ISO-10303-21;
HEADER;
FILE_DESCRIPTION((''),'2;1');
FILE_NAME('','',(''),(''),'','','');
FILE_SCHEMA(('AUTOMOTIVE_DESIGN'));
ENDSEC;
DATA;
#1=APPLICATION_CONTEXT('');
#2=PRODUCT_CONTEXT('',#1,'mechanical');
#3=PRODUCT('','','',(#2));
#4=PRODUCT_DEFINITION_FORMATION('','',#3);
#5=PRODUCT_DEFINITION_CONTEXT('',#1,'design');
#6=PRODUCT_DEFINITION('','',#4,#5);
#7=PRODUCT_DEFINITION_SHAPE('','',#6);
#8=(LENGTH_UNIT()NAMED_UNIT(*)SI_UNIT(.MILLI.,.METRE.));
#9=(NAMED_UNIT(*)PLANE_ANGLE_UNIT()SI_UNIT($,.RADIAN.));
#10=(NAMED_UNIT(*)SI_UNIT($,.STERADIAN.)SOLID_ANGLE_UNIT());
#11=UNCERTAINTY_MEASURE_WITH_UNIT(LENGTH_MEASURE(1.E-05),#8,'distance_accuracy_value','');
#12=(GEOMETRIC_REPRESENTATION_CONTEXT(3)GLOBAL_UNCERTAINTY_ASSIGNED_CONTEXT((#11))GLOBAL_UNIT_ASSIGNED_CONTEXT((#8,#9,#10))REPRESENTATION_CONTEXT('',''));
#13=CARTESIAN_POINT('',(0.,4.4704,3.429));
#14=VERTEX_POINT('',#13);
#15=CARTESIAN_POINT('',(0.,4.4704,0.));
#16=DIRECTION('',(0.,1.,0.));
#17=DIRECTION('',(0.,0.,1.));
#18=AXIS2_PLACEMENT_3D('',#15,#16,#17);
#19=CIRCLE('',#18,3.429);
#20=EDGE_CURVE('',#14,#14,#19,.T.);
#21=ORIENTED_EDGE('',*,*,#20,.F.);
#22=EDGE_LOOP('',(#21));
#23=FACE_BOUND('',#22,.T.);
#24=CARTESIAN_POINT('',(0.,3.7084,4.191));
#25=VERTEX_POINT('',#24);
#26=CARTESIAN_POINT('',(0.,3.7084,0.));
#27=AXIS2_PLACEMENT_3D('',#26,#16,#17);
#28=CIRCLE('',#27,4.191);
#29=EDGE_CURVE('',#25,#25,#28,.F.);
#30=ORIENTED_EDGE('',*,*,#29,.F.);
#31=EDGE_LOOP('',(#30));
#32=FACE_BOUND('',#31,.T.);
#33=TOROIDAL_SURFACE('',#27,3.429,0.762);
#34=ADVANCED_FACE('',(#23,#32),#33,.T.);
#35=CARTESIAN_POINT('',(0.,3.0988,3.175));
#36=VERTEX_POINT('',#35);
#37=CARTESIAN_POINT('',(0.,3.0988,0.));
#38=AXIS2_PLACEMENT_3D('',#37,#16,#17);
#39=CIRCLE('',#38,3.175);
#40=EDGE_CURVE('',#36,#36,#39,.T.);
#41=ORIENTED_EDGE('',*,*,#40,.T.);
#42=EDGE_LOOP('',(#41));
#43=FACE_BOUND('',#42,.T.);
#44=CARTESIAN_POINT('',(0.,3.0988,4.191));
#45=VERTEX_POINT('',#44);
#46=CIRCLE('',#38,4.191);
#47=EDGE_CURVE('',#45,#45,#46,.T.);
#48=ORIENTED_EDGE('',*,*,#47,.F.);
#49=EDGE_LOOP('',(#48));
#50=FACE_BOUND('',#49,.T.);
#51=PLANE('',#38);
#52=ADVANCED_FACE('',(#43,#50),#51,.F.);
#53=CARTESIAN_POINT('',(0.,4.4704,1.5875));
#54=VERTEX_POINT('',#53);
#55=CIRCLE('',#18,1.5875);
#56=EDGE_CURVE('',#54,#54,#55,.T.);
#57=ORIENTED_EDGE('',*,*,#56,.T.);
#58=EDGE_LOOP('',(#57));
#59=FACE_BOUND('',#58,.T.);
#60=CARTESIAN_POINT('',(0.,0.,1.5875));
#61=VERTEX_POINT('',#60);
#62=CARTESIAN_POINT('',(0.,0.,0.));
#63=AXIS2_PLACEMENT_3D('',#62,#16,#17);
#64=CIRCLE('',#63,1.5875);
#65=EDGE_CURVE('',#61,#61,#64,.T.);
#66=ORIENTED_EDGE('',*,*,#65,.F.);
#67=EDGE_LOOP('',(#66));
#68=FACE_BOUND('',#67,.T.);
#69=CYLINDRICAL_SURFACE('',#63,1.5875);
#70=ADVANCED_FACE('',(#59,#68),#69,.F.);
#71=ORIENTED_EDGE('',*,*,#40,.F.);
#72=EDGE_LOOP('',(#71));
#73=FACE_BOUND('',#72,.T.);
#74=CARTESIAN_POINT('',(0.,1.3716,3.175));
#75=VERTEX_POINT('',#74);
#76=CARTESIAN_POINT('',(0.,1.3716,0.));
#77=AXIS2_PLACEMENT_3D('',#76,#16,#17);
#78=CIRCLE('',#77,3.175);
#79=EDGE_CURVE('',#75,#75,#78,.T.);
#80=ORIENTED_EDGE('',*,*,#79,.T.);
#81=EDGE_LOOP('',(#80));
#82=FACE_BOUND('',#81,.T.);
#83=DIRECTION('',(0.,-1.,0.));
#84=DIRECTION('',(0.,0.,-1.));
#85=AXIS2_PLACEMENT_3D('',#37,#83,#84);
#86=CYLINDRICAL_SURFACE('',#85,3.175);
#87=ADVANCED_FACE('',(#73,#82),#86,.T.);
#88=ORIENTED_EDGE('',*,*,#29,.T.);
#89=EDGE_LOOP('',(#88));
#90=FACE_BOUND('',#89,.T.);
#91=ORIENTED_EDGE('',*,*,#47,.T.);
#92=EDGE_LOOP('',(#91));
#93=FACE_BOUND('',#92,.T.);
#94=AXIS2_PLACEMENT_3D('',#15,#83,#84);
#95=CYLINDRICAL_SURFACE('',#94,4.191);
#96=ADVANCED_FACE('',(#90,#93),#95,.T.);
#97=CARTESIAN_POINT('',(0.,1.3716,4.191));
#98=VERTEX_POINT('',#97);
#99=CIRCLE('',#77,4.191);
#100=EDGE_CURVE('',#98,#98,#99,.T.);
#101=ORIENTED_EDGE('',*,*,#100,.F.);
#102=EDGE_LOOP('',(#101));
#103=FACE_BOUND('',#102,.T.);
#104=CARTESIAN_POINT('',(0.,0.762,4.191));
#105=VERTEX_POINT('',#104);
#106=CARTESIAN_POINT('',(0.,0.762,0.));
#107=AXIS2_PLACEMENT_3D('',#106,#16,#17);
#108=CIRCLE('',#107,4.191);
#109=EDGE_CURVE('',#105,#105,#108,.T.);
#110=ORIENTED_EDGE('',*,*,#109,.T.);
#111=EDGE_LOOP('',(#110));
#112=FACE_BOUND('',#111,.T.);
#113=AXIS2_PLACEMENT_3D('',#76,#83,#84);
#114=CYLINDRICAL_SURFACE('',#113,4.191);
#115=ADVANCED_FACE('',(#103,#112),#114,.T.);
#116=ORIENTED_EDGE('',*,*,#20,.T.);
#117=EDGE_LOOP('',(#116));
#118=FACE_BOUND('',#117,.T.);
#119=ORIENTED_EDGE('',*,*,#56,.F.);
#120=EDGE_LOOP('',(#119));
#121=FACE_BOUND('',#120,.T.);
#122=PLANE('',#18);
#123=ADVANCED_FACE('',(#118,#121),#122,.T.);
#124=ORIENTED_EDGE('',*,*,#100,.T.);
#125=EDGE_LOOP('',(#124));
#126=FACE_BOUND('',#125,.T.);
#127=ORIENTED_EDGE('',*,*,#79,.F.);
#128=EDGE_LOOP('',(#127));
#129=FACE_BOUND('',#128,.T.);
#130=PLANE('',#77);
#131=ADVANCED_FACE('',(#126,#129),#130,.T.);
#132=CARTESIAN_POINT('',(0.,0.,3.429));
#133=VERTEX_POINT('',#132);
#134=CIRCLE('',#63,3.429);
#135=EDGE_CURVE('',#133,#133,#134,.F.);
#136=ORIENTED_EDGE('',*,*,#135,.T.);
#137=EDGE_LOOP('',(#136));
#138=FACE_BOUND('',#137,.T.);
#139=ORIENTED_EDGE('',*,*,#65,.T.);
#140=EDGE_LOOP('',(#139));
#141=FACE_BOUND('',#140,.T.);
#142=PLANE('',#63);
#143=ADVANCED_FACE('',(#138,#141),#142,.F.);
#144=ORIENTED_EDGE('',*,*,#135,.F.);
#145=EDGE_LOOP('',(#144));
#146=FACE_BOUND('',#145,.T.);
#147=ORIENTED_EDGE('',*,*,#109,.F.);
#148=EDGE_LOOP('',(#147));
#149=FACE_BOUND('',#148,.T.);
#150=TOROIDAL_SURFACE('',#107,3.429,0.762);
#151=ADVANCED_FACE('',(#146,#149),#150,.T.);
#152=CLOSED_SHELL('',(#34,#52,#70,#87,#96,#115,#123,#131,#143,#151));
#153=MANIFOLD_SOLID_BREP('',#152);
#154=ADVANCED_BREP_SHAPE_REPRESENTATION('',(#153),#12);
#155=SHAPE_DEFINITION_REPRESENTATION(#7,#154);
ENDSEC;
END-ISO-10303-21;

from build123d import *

# Parameters (mm, degrees)
SKETCH1_R           = 4.191
BOSS_EXTRUDE1_DEPTH = 1.3716
SKETCH2_R           = 3.175
BOSS_EXTRUDE2_DEPTH = 1.7272
SKETCH3_R           = 4.191
BOSS_EXTRUDE3_DEPTH = 1.3716
SKETCH4_R           = 1.5875
CUT_EXTRUDE1_DEPTH  = 5.4704
FILLET1_R           = 0.762


with BuildPart() as part:
    # Sketch1 → Boss-Extrude1 (new body)
    with BuildSketch(Plane(origin=(0, 0, 0), x_dir=(1, 0, 0), z_dir=(0, 1, 0))):
        Circle(SKETCH1_R)
    extrude(amount=BOSS_EXTRUDE1_DEPTH)

    # Sketch2 → Boss-Extrude2 (add)
    with BuildSketch(Plane(origin=(0, 1.3716, 0), x_dir=(1, 0, 0), z_dir=(0, 1, 0))):
        Circle(SKETCH2_R)
    extrude(amount=BOSS_EXTRUDE2_DEPTH)

    # Sketch3 → Boss-Extrude3 (add)
    with BuildSketch(Plane(origin=(0, 3.0988, 0), x_dir=(1, 0, 0), z_dir=(0, 1, 0))):
        Circle(SKETCH3_R)
    extrude(amount=BOSS_EXTRUDE3_DEPTH)

    # Sketch4 → Cut-Extrude1 (cut, through all)
    with BuildSketch(Plane(origin=(0, 4.4704, 0), x_dir=(1, 0, 0), z_dir=(0, 1, 0))):
        Circle(SKETCH4_R)
    extrude(amount=-CUT_EXTRUDE1_DEPTH, mode=Mode.SUBTRACT)

    # Fillet1
    fillet1_edges = [part.edges().sort_by_distance(p)[0] for p in [
        (-4.191, 4.4704, 0),
        (-4.191, 0, 0),
    ]]
    fillet(fillet1_edges, radius=FILLET1_R)


solid = part.part
